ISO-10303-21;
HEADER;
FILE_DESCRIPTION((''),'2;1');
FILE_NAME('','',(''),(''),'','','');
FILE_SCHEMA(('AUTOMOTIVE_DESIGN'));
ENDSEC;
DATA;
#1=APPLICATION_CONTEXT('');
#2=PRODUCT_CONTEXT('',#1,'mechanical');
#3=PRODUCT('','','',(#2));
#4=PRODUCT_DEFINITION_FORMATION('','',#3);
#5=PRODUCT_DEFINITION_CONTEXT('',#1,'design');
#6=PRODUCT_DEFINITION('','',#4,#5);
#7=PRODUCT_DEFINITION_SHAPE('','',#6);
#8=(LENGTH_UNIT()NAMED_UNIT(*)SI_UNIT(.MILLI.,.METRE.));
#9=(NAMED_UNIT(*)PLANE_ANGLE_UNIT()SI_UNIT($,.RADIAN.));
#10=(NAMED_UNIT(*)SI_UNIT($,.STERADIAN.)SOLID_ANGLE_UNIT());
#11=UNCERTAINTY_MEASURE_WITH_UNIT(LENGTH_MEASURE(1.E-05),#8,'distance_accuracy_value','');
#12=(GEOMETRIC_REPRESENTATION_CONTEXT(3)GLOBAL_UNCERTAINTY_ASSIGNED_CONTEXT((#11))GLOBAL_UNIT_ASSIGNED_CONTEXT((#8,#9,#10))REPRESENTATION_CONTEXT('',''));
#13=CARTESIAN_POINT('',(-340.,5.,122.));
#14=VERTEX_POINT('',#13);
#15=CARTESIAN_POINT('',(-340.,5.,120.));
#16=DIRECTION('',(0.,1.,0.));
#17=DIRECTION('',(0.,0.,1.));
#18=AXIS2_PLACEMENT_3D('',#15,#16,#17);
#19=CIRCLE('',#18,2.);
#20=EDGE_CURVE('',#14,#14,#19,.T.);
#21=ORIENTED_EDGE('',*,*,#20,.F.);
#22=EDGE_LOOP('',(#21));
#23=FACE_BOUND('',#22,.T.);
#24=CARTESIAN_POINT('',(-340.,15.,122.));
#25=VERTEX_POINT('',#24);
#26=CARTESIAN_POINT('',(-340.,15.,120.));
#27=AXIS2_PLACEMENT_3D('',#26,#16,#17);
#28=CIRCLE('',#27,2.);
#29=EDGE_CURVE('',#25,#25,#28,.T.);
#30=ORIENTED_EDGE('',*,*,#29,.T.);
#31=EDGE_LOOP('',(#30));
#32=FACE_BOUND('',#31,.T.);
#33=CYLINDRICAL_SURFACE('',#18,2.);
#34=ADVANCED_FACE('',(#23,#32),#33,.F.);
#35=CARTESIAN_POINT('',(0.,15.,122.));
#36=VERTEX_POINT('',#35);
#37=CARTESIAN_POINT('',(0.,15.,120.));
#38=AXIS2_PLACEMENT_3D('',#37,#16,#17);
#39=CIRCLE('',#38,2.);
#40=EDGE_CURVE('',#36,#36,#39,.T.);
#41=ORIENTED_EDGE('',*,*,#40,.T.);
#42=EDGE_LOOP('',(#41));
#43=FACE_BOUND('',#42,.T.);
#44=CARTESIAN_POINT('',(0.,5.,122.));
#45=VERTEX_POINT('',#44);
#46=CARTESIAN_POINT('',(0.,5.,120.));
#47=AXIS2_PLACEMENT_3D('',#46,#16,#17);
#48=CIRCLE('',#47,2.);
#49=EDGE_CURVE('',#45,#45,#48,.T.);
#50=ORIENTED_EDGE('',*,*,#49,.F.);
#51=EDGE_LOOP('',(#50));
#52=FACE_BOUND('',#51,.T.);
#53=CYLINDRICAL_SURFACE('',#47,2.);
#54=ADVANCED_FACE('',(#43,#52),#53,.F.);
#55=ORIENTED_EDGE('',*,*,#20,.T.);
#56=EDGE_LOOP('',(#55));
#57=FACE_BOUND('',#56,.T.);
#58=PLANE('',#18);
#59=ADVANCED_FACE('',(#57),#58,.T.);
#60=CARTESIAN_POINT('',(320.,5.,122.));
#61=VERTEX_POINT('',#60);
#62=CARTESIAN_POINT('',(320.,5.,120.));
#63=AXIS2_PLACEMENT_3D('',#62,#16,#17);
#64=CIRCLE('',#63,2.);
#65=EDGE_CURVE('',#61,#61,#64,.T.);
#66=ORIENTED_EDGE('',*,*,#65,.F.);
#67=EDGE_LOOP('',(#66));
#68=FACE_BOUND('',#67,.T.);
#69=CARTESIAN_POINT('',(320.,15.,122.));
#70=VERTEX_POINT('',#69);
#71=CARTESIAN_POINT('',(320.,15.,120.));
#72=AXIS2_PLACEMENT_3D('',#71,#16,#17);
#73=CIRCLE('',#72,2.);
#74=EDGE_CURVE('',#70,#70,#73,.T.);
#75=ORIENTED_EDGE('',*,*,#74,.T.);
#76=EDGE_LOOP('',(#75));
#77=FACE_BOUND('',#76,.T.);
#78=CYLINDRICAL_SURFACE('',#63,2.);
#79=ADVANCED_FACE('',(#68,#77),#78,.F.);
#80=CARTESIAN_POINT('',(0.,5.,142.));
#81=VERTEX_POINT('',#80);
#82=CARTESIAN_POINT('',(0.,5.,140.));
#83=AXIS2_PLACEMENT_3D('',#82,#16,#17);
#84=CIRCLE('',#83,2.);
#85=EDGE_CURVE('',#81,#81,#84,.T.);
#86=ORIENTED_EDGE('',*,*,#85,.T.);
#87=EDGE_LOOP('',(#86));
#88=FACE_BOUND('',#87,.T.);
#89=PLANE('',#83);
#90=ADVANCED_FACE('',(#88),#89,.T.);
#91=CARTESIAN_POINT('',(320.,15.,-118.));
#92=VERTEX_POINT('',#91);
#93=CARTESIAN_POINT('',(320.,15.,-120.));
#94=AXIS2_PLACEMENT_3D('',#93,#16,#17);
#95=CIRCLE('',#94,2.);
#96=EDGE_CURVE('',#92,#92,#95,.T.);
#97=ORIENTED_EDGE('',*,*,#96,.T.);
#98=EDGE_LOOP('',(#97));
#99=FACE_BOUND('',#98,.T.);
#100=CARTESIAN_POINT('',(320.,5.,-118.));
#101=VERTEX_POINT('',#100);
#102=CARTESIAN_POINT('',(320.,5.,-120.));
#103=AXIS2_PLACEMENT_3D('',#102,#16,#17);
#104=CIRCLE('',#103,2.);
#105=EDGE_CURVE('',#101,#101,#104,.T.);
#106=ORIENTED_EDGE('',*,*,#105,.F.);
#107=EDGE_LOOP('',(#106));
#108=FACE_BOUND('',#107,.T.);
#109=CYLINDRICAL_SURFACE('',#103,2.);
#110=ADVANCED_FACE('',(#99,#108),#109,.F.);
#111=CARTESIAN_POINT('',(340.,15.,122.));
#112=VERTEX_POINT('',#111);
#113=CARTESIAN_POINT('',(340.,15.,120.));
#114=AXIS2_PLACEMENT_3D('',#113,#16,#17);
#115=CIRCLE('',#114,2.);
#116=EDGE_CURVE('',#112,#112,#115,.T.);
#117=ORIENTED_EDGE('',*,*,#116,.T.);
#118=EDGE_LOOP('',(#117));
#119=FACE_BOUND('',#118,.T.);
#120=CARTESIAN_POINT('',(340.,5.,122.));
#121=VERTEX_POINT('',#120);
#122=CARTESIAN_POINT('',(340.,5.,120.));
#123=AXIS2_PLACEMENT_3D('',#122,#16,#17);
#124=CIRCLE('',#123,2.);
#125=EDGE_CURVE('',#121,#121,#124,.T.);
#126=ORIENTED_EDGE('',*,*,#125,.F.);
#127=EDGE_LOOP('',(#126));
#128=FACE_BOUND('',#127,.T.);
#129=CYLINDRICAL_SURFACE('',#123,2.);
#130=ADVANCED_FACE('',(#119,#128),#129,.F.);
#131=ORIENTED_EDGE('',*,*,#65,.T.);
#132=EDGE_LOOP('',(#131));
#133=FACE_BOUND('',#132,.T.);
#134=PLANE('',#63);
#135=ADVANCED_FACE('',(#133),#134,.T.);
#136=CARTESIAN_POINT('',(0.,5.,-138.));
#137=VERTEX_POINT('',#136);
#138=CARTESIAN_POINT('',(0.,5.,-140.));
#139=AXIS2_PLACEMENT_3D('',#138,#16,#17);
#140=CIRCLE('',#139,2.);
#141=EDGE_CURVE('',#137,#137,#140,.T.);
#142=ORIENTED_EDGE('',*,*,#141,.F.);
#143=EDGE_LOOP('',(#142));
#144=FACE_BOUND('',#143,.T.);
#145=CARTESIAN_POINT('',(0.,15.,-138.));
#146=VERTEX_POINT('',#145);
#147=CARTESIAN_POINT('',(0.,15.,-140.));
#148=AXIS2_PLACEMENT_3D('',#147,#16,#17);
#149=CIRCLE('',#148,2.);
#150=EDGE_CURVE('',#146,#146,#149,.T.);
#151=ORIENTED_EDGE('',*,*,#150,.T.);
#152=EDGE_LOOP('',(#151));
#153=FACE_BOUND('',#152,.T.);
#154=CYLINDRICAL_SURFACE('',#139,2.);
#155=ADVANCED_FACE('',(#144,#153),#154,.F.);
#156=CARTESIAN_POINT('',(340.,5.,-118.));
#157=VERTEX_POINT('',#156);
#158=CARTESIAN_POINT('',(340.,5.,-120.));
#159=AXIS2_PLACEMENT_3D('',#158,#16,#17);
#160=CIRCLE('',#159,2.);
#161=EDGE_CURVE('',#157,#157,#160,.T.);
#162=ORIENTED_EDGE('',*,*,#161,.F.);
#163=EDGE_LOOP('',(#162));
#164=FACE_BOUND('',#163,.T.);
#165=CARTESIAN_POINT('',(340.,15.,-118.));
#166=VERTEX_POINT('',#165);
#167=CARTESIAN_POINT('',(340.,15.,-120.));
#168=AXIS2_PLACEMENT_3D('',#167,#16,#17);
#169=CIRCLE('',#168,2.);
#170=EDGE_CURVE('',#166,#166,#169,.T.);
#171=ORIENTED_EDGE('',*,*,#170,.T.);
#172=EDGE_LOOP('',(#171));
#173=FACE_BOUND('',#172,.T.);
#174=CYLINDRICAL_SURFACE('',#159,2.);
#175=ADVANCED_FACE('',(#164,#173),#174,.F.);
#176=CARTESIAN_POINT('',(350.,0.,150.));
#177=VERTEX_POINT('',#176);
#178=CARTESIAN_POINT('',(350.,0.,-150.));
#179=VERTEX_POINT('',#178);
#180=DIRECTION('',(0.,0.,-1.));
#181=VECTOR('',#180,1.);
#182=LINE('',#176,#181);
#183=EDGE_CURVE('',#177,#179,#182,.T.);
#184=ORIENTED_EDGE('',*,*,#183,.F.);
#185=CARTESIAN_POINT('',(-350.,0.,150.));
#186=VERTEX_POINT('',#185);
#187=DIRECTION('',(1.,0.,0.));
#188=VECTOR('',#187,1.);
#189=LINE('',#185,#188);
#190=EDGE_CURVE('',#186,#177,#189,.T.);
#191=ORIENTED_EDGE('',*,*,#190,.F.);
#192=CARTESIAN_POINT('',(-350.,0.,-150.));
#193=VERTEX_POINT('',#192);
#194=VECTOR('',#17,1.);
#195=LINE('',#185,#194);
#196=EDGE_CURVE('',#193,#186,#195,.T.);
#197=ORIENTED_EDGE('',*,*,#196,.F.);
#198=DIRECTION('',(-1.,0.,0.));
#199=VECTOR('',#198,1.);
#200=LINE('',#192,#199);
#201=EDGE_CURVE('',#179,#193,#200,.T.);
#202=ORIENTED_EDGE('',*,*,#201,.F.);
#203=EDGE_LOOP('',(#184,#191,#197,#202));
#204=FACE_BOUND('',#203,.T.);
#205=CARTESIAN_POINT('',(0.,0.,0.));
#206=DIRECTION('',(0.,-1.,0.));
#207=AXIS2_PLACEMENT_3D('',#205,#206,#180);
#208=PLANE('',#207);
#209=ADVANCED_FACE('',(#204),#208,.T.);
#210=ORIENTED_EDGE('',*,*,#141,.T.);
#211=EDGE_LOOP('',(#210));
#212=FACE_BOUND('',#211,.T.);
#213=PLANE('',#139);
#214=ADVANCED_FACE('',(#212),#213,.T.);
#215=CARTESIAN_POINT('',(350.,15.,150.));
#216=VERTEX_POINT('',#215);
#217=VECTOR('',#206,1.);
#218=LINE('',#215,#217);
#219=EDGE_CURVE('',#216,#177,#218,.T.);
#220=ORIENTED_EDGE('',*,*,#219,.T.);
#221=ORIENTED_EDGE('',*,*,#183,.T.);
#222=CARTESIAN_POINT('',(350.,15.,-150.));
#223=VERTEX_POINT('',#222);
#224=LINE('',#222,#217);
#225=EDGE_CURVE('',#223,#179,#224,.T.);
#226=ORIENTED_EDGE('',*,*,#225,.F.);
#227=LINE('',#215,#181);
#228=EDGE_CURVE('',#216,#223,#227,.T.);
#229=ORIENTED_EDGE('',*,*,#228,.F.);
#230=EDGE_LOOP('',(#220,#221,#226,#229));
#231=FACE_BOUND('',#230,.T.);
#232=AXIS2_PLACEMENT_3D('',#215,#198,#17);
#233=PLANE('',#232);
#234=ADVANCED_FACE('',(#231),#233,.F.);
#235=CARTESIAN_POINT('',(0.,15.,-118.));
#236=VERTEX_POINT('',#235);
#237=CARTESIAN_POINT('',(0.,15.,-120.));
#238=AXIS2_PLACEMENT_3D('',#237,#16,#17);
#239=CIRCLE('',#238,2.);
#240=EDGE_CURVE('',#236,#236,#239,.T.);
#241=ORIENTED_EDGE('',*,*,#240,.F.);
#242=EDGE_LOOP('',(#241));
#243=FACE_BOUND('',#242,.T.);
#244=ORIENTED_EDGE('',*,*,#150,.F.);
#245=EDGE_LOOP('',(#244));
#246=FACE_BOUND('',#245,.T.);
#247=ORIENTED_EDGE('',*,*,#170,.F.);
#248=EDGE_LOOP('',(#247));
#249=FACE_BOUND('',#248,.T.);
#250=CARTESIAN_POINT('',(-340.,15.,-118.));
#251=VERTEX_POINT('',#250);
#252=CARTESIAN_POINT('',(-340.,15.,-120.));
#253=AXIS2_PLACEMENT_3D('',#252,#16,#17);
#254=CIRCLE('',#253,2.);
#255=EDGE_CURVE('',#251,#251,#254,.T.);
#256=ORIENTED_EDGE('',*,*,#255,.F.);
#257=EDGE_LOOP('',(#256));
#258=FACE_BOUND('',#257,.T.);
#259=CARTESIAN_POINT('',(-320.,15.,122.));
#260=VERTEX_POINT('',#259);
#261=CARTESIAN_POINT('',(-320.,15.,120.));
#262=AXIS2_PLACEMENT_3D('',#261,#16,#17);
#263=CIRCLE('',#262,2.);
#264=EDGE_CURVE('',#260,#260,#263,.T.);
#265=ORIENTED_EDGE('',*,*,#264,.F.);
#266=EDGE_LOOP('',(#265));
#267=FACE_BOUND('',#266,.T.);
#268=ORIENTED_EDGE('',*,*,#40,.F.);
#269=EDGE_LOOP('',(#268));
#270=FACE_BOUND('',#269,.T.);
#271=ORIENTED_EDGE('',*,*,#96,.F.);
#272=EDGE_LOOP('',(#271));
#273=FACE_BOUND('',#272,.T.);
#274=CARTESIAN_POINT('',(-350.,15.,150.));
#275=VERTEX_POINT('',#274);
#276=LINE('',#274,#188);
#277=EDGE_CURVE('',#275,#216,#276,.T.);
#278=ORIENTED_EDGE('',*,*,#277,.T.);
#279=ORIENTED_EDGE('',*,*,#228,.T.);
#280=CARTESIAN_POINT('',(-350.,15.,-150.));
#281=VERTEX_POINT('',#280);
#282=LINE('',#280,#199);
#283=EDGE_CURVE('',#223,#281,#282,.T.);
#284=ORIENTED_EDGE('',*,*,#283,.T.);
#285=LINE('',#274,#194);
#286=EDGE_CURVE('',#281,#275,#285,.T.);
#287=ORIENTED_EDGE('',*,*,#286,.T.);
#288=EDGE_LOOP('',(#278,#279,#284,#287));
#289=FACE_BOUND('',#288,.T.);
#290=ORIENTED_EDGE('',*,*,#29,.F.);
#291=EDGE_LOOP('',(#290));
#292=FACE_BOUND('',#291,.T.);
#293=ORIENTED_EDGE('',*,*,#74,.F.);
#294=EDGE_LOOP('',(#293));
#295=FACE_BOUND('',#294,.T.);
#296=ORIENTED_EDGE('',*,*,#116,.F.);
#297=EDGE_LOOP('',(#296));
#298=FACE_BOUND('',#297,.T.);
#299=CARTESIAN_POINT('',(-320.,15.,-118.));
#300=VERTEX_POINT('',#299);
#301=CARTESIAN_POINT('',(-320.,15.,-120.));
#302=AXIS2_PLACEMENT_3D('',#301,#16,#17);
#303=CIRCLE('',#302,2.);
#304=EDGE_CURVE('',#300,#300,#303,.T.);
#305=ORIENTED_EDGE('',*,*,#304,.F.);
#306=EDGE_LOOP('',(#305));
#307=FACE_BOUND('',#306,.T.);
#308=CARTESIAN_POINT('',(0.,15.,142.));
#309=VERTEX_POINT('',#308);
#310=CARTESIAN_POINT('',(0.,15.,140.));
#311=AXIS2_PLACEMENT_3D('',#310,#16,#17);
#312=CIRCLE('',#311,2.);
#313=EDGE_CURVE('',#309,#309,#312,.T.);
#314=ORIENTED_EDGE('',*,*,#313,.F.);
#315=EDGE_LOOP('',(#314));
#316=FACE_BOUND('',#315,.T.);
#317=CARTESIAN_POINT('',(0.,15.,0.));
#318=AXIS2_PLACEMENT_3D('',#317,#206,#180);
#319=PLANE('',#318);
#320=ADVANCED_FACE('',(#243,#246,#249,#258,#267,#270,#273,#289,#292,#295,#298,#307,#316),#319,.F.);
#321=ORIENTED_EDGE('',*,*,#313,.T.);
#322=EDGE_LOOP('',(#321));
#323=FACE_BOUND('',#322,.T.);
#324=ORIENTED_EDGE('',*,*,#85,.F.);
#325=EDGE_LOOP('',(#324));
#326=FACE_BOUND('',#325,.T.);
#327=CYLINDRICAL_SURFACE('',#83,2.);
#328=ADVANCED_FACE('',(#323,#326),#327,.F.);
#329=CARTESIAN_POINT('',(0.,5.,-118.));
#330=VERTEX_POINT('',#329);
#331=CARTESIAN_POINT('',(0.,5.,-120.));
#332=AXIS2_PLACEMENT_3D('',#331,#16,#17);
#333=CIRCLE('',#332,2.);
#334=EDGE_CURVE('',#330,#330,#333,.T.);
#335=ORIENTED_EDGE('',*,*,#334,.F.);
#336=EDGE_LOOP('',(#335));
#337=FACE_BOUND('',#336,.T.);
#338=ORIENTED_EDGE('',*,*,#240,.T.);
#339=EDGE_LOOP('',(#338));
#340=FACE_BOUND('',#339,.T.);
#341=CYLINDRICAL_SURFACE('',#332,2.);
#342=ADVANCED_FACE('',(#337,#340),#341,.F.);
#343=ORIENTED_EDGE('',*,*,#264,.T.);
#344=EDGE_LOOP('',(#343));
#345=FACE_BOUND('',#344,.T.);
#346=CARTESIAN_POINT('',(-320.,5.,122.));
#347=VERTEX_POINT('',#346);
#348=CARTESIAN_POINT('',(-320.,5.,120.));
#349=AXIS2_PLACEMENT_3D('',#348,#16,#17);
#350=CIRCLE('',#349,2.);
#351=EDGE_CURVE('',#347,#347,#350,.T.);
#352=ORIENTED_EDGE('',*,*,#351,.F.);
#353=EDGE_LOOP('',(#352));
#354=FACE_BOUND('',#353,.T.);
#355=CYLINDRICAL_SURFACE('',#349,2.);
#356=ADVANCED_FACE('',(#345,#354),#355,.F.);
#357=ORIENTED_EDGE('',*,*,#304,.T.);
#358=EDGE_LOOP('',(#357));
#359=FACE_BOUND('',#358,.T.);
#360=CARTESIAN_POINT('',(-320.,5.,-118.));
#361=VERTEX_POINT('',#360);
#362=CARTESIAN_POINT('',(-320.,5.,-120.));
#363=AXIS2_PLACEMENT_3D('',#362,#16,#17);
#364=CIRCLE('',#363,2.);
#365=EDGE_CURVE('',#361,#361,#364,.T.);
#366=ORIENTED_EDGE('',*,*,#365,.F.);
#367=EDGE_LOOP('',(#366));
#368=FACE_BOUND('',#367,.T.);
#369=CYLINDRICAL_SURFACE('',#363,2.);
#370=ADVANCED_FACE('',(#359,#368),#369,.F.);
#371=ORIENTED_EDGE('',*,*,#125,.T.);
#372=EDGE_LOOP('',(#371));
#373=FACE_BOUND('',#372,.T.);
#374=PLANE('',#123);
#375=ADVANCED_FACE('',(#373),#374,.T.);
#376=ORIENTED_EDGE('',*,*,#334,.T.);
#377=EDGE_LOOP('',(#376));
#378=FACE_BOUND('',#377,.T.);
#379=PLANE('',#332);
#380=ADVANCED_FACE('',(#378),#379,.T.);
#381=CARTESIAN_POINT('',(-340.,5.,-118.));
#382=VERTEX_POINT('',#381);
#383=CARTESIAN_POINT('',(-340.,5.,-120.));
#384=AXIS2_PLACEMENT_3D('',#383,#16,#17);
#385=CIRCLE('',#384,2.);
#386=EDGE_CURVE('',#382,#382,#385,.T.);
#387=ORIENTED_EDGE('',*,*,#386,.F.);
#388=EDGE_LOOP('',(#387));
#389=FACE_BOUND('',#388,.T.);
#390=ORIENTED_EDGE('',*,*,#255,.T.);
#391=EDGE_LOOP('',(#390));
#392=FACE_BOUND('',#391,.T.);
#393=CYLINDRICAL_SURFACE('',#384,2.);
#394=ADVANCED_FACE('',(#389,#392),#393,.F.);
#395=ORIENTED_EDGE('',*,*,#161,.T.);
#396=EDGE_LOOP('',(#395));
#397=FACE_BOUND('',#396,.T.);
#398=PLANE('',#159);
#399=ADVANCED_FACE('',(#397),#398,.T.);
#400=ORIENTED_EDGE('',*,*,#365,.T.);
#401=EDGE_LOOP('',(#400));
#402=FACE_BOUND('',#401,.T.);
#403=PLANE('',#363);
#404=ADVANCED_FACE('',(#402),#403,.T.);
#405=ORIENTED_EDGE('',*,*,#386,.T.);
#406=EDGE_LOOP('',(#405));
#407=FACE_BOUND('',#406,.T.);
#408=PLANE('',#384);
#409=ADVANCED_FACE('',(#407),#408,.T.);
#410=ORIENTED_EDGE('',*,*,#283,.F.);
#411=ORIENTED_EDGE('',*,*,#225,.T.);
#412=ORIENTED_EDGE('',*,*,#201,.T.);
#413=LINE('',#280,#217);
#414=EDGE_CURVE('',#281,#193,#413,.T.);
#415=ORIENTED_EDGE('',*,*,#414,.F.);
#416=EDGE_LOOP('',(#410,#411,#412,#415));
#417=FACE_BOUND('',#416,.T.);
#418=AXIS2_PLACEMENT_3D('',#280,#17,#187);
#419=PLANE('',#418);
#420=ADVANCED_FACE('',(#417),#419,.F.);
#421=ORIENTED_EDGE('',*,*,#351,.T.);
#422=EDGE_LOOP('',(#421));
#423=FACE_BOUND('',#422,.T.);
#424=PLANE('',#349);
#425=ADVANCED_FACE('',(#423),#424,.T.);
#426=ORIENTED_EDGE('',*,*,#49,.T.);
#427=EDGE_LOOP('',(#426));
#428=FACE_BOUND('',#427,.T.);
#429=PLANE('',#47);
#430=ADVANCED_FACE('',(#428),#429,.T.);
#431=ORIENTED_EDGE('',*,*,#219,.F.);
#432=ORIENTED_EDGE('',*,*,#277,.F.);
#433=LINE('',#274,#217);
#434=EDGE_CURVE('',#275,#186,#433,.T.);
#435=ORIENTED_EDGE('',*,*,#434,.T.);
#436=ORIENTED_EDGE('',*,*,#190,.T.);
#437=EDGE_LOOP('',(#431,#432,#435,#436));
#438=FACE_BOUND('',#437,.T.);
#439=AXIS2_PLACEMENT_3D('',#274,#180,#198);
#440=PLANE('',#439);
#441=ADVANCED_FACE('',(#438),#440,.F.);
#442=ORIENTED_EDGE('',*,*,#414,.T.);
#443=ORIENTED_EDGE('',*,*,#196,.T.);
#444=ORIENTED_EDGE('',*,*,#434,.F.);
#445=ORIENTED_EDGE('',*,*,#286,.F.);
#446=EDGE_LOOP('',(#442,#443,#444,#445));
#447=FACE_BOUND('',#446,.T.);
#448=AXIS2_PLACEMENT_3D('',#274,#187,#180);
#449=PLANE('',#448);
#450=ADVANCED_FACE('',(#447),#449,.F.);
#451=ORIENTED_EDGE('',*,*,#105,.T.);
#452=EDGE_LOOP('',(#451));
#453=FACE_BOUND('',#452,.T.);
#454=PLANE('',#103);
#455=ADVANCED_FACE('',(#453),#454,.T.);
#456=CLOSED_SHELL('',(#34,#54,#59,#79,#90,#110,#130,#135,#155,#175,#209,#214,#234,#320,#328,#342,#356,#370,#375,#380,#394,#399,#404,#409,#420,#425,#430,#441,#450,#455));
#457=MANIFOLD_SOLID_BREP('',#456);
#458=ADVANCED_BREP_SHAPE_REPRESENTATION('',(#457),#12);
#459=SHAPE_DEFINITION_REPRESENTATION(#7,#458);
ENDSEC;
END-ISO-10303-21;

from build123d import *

# Parameters (mm, degrees)
CROQUIS1_W              = 700
CROQUIS1_H              = 300
SALIENTE_EXTRUIR1_DEPTH = 15
CROQUIS2_R              = 2
CORTAR_EXTRUIR1_DEPTH   = 10


with BuildPart() as part:
    # Croquis1 → Saliente-Extruir1 (new body)
    with BuildSketch(Plane(origin=(0, 0, 0), x_dir=(1, 0, 0), z_dir=(0, 1, 0))):
        Rectangle(CROQUIS1_W, CROQUIS1_H)
    extrude(amount=SALIENTE_EXTRUIR1_DEPTH)

    # Croquis2 → Cortar-Extruir1 (cut)
    with BuildSketch(Plane(origin=(0, 15, 0), x_dir=(1, 0, 0), z_dir=(0, 1, 0))):
        with Locations(Location((-320, 120, 0), (0, 0, 270))):
            Circle(CROQUIS2_R)
        with Locations(Location((-320, -120, 0), (0, 0, 270))):
            Circle(CROQUIS2_R)
        with Locations(Location((320, 120, 0), (0, 0, 270))):
            Circle(CROQUIS2_R)
        with Locations(Location((320, -120, 0), (0, 0, 270))):
            Circle(CROQUIS2_R)
        with Locations(Location((0, -120, 0), (0, 0, 270))):
            Circle(CROQUIS2_R)
        with Locations(Location((0, 120, 0), (0, 0, 270))):
            Circle(CROQUIS2_R)
        with Locations(Location((-340, -120, 0), (0, 0, 270))):
            Circle(CROQUIS2_R)
        with Locations(Location((-340, 120, 0), (0, 0, 270))):
            Circle(CROQUIS2_R)
        with Locations(Location((0, -140, 0), (0, 0, 270))):
            Circle(CROQUIS2_R)
        with Locations(Location((0, 140, 0), (0, 0, 270))):
            Circle(CROQUIS2_R)
        with Locations(Location((340, -120, 0), (0, 0, 270))):
            Circle(CROQUIS2_R)
        with Locations(Location((340, 120, 0), (0, 0, 270))):
            Circle(CROQUIS2_R)
    extrude(amount=-CORTAR_EXTRUIR1_DEPTH, mode=Mode.SUBTRACT)


solid = part.part
